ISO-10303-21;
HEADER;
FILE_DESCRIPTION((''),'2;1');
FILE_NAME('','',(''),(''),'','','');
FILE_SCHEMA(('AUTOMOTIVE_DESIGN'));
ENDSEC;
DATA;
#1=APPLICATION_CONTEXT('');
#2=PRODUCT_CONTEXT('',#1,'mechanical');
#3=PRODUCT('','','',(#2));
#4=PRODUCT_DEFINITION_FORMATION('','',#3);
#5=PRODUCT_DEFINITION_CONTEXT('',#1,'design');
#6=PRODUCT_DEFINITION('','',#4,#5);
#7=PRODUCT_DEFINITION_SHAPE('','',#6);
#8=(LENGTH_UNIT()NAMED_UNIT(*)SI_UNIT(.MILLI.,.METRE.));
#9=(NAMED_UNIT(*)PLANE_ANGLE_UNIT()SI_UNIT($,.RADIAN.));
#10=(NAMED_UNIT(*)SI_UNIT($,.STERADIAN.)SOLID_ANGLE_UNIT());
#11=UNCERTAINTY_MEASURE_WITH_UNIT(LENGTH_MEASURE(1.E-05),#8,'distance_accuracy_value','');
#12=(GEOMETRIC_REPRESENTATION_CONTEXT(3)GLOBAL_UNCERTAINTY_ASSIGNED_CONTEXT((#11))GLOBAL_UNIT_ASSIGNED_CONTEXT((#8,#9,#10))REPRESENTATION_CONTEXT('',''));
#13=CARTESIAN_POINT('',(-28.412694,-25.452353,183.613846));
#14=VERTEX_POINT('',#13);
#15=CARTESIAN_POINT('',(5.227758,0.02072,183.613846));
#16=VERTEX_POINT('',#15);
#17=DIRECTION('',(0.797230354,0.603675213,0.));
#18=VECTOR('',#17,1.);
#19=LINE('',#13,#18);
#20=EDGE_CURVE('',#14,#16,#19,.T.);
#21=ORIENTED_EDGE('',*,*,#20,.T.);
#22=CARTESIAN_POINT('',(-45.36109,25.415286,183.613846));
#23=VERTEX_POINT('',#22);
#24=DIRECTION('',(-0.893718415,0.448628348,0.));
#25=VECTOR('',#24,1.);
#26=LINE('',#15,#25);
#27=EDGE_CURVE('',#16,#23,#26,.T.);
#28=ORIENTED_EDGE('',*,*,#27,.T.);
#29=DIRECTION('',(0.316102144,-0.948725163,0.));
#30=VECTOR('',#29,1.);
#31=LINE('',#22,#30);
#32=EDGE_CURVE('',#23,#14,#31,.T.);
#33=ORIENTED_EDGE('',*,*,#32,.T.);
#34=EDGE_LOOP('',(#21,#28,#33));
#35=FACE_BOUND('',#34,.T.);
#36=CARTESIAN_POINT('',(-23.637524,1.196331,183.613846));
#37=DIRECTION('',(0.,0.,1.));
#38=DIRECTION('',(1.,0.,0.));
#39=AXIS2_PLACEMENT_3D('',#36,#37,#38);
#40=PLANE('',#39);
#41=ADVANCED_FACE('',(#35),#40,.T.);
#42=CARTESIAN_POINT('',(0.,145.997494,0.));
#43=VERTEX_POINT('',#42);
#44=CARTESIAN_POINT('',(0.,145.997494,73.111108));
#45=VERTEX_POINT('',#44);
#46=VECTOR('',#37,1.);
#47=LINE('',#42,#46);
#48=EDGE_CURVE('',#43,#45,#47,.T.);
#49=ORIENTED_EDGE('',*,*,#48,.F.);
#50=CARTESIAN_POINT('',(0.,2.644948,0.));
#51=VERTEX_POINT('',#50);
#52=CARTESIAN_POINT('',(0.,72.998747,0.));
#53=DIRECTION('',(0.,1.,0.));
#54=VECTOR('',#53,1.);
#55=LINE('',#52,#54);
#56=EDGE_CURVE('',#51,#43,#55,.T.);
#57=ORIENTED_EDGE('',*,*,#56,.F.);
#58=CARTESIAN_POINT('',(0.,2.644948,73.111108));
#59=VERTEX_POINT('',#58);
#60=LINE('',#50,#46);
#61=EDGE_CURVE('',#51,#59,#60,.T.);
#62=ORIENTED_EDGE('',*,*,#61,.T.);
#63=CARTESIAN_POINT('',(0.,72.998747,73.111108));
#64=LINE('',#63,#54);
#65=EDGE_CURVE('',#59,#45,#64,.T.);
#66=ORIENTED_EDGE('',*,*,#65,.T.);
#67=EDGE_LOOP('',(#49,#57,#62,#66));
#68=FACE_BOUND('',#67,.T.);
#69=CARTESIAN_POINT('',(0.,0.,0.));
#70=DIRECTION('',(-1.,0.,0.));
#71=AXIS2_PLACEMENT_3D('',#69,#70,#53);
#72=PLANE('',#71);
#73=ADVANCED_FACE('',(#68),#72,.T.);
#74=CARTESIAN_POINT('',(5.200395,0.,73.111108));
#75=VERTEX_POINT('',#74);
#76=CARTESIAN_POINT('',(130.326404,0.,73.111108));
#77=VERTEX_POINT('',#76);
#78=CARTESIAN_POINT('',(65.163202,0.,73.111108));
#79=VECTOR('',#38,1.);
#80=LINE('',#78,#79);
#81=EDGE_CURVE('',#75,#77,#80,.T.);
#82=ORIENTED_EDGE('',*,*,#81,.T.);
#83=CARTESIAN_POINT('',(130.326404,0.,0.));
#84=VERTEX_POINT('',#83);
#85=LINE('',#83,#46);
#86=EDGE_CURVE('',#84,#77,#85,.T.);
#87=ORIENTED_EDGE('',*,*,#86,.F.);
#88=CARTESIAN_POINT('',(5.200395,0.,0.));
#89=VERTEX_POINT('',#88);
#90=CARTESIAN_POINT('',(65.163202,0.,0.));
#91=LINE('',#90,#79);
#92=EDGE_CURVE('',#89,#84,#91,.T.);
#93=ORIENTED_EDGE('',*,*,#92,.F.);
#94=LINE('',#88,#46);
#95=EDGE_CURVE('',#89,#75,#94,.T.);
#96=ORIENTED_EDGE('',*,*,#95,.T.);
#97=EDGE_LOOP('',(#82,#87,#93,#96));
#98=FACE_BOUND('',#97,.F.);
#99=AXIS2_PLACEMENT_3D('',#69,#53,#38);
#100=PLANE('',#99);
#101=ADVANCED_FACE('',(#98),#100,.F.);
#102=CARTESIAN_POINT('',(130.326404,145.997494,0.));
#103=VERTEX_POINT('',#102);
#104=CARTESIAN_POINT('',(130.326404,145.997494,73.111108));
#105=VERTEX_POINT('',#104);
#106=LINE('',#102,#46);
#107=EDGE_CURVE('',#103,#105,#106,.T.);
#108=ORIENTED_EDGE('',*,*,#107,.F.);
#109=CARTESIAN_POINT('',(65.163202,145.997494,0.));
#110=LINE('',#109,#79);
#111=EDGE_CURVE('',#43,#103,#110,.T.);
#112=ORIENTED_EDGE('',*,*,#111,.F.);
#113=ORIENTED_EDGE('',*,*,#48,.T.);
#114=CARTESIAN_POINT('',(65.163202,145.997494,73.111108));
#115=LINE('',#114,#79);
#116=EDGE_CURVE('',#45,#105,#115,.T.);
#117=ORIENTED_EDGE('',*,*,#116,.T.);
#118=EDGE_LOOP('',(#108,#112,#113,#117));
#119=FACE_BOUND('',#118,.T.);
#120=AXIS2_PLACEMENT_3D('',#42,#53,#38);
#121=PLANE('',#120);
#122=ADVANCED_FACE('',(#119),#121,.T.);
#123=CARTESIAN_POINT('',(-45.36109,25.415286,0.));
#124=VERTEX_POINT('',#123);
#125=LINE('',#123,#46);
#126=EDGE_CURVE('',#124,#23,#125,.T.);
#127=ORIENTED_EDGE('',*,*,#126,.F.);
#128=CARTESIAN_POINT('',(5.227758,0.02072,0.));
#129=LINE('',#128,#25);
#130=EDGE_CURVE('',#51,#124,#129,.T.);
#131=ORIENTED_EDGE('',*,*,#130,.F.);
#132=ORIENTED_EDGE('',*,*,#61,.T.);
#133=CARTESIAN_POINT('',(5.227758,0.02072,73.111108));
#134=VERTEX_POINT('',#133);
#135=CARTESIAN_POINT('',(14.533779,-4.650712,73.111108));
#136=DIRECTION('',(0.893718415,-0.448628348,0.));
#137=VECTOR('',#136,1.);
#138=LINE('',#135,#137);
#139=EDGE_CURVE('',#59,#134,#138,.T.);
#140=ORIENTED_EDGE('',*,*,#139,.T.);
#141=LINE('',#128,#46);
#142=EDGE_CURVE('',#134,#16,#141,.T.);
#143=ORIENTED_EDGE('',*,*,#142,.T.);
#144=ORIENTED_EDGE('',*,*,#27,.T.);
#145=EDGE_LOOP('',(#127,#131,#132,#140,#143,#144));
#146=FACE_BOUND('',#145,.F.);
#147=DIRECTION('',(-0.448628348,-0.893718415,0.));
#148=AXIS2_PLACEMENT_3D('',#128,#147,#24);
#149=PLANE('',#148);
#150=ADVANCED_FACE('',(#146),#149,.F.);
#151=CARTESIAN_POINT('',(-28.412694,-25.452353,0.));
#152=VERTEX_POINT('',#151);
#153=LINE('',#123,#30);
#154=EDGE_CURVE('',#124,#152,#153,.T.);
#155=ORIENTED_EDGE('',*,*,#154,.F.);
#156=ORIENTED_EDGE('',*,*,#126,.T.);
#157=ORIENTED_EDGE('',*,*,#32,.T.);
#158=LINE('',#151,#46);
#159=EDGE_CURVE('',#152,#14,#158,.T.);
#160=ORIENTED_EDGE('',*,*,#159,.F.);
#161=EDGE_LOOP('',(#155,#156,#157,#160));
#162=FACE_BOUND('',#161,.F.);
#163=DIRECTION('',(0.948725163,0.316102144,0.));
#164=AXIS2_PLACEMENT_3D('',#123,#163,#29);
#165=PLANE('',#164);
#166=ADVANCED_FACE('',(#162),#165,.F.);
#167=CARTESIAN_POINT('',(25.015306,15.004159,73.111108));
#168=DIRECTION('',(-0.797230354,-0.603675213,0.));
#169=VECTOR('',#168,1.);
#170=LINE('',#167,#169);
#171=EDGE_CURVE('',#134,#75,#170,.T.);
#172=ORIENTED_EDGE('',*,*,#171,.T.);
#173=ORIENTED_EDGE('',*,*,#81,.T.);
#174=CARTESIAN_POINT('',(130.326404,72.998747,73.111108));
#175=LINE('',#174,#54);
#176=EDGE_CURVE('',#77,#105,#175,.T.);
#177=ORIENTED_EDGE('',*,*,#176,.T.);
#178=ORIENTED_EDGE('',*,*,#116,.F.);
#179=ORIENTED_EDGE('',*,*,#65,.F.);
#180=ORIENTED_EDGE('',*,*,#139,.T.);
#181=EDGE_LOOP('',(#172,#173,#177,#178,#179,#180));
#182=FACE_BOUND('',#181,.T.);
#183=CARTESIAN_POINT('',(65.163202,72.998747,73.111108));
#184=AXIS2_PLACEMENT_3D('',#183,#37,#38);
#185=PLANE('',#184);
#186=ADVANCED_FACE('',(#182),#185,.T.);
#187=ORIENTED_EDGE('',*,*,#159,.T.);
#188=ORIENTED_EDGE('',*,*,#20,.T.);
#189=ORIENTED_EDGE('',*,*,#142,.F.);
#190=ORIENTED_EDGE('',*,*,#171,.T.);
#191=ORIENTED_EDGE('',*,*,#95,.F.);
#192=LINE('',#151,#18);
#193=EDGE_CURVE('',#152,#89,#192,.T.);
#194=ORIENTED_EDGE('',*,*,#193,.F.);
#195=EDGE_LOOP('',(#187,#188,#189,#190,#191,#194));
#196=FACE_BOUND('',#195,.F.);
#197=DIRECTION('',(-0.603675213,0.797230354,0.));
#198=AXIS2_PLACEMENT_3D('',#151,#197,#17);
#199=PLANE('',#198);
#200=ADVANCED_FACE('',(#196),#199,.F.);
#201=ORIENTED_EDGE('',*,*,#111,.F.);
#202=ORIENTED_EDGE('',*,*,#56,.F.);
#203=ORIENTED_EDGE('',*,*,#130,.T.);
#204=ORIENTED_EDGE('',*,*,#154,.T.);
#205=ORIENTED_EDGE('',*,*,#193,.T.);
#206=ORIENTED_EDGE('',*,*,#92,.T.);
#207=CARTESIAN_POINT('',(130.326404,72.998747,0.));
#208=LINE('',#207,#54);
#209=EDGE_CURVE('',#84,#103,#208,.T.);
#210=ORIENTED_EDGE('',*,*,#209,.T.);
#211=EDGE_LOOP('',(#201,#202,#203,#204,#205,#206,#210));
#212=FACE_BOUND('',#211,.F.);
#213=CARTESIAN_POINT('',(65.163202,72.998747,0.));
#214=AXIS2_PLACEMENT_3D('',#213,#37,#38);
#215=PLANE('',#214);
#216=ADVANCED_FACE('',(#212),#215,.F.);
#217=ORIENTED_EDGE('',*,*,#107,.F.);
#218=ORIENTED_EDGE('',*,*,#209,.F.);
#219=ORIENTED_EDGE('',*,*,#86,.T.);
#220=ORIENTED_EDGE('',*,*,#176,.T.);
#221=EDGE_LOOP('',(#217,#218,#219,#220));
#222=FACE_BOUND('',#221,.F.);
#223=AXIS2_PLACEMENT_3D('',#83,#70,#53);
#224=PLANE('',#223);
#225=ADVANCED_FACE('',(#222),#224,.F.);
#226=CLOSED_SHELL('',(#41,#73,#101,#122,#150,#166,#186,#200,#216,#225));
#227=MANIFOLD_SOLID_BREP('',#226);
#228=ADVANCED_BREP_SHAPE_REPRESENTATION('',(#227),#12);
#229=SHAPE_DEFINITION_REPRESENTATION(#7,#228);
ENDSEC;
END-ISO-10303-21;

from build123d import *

# Parameters (mm, degrees)
F0_W     = 130.326405
F0_H     = 145.997494
F1_DEPTH = 73.111108
F3_DEPTH = 183.613846


with BuildPart() as f1:
    # F0 (on Top) → F1 (new body)
    with BuildSketch(Plane.XY):
        with Locations((65.163202, 72.998747)):
            Rectangle(F0_W, F0_H)
    extrude(amount=F1_DEPTH)

    # F2 (on Top) → F3 (join)
    with BuildSketch(Plane.XY):
        Polygon((5.227758, 0.02072), (-45.36109, 25.415286), (-28.412694, -25.452353), align=None)
    extrude(amount=F3_DEPTH)


solid = f1.part
